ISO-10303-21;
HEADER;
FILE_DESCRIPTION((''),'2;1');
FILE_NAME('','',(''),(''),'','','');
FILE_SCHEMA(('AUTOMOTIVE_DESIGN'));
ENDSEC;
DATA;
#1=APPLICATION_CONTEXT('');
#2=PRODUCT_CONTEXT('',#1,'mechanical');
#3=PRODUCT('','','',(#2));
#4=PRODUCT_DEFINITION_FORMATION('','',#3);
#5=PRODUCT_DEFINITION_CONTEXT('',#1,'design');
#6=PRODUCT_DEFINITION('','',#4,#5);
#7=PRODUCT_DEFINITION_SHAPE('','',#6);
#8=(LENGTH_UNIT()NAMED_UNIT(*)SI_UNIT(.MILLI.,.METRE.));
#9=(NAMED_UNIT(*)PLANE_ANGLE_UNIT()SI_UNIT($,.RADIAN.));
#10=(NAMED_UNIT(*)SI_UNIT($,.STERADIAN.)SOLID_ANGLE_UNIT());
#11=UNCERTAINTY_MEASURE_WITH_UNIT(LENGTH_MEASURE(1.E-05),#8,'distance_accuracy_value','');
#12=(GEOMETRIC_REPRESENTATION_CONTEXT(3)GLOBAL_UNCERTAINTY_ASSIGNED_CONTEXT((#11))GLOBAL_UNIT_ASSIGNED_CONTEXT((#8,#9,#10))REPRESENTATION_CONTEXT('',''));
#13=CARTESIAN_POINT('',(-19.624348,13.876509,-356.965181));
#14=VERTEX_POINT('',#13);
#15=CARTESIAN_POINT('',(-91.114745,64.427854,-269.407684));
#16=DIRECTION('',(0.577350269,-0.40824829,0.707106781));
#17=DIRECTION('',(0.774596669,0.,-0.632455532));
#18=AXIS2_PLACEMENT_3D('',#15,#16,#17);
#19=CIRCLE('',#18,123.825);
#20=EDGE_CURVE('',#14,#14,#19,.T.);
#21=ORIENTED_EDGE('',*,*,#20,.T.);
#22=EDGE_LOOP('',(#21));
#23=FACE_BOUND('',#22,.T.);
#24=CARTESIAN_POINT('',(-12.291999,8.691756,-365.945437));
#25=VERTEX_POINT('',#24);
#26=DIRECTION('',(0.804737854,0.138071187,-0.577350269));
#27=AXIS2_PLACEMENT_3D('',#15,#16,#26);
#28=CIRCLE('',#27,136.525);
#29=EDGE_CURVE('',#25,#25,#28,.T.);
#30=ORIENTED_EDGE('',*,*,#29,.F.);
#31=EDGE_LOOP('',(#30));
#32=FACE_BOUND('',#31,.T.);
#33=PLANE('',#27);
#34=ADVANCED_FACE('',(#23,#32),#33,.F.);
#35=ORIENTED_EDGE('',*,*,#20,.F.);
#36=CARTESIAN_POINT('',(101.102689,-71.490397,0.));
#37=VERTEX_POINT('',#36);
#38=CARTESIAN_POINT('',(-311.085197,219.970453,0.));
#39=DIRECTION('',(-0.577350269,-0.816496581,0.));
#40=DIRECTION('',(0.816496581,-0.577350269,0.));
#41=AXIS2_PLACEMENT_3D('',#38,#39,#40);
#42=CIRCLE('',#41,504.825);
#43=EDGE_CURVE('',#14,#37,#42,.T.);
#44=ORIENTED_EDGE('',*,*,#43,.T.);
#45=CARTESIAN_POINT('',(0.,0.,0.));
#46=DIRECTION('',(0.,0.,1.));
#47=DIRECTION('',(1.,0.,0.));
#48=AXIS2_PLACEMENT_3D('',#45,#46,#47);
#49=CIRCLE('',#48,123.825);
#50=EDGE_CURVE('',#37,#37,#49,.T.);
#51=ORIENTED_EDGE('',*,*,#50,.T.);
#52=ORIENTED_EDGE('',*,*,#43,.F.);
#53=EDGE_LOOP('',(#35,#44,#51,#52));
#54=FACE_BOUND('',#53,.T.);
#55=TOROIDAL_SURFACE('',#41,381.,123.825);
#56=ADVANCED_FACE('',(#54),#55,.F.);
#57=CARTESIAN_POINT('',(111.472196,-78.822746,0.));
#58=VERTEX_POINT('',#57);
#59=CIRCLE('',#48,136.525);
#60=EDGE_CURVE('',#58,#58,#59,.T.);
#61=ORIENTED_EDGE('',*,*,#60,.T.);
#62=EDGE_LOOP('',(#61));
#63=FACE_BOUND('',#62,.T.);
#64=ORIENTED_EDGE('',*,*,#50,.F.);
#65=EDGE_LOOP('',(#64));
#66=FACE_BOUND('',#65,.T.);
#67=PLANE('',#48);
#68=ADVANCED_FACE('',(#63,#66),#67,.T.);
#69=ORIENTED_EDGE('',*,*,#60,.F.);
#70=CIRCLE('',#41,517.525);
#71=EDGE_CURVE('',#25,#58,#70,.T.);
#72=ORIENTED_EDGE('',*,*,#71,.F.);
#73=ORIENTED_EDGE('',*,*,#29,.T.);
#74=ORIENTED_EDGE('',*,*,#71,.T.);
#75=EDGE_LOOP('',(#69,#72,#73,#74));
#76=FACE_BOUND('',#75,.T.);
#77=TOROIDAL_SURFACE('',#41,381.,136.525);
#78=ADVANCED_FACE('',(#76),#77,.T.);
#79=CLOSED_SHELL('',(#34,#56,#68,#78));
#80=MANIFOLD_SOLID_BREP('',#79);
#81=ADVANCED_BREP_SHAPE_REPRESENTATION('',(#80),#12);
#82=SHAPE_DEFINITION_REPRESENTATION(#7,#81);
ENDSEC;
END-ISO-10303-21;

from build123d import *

# Parameters (mm, degrees)
PIPESKETCH_R   = 136.525
PIPESKETCH_R_2 = 123.825


with BuildPart() as part:
    # Sweep-Thin1: sweep along a curve in space
    with BuildLine() as sweep_thin1_path:
        ThreePointArc((0, 0, 0), (-23.67995065, 16.744253683, -145.802387731), (-91.114744772, 64.427853895, -269.407683632))
    # PipeSketch → Sweep-Thin1 (sweep)
    with BuildSketch(Plane.XY):
        Circle(PIPESKETCH_R)
        Circle(PIPESKETCH_R_2, mode=Mode.SUBTRACT)
    sweep(path=sweep_thin1_path.line)


solid = part.part
